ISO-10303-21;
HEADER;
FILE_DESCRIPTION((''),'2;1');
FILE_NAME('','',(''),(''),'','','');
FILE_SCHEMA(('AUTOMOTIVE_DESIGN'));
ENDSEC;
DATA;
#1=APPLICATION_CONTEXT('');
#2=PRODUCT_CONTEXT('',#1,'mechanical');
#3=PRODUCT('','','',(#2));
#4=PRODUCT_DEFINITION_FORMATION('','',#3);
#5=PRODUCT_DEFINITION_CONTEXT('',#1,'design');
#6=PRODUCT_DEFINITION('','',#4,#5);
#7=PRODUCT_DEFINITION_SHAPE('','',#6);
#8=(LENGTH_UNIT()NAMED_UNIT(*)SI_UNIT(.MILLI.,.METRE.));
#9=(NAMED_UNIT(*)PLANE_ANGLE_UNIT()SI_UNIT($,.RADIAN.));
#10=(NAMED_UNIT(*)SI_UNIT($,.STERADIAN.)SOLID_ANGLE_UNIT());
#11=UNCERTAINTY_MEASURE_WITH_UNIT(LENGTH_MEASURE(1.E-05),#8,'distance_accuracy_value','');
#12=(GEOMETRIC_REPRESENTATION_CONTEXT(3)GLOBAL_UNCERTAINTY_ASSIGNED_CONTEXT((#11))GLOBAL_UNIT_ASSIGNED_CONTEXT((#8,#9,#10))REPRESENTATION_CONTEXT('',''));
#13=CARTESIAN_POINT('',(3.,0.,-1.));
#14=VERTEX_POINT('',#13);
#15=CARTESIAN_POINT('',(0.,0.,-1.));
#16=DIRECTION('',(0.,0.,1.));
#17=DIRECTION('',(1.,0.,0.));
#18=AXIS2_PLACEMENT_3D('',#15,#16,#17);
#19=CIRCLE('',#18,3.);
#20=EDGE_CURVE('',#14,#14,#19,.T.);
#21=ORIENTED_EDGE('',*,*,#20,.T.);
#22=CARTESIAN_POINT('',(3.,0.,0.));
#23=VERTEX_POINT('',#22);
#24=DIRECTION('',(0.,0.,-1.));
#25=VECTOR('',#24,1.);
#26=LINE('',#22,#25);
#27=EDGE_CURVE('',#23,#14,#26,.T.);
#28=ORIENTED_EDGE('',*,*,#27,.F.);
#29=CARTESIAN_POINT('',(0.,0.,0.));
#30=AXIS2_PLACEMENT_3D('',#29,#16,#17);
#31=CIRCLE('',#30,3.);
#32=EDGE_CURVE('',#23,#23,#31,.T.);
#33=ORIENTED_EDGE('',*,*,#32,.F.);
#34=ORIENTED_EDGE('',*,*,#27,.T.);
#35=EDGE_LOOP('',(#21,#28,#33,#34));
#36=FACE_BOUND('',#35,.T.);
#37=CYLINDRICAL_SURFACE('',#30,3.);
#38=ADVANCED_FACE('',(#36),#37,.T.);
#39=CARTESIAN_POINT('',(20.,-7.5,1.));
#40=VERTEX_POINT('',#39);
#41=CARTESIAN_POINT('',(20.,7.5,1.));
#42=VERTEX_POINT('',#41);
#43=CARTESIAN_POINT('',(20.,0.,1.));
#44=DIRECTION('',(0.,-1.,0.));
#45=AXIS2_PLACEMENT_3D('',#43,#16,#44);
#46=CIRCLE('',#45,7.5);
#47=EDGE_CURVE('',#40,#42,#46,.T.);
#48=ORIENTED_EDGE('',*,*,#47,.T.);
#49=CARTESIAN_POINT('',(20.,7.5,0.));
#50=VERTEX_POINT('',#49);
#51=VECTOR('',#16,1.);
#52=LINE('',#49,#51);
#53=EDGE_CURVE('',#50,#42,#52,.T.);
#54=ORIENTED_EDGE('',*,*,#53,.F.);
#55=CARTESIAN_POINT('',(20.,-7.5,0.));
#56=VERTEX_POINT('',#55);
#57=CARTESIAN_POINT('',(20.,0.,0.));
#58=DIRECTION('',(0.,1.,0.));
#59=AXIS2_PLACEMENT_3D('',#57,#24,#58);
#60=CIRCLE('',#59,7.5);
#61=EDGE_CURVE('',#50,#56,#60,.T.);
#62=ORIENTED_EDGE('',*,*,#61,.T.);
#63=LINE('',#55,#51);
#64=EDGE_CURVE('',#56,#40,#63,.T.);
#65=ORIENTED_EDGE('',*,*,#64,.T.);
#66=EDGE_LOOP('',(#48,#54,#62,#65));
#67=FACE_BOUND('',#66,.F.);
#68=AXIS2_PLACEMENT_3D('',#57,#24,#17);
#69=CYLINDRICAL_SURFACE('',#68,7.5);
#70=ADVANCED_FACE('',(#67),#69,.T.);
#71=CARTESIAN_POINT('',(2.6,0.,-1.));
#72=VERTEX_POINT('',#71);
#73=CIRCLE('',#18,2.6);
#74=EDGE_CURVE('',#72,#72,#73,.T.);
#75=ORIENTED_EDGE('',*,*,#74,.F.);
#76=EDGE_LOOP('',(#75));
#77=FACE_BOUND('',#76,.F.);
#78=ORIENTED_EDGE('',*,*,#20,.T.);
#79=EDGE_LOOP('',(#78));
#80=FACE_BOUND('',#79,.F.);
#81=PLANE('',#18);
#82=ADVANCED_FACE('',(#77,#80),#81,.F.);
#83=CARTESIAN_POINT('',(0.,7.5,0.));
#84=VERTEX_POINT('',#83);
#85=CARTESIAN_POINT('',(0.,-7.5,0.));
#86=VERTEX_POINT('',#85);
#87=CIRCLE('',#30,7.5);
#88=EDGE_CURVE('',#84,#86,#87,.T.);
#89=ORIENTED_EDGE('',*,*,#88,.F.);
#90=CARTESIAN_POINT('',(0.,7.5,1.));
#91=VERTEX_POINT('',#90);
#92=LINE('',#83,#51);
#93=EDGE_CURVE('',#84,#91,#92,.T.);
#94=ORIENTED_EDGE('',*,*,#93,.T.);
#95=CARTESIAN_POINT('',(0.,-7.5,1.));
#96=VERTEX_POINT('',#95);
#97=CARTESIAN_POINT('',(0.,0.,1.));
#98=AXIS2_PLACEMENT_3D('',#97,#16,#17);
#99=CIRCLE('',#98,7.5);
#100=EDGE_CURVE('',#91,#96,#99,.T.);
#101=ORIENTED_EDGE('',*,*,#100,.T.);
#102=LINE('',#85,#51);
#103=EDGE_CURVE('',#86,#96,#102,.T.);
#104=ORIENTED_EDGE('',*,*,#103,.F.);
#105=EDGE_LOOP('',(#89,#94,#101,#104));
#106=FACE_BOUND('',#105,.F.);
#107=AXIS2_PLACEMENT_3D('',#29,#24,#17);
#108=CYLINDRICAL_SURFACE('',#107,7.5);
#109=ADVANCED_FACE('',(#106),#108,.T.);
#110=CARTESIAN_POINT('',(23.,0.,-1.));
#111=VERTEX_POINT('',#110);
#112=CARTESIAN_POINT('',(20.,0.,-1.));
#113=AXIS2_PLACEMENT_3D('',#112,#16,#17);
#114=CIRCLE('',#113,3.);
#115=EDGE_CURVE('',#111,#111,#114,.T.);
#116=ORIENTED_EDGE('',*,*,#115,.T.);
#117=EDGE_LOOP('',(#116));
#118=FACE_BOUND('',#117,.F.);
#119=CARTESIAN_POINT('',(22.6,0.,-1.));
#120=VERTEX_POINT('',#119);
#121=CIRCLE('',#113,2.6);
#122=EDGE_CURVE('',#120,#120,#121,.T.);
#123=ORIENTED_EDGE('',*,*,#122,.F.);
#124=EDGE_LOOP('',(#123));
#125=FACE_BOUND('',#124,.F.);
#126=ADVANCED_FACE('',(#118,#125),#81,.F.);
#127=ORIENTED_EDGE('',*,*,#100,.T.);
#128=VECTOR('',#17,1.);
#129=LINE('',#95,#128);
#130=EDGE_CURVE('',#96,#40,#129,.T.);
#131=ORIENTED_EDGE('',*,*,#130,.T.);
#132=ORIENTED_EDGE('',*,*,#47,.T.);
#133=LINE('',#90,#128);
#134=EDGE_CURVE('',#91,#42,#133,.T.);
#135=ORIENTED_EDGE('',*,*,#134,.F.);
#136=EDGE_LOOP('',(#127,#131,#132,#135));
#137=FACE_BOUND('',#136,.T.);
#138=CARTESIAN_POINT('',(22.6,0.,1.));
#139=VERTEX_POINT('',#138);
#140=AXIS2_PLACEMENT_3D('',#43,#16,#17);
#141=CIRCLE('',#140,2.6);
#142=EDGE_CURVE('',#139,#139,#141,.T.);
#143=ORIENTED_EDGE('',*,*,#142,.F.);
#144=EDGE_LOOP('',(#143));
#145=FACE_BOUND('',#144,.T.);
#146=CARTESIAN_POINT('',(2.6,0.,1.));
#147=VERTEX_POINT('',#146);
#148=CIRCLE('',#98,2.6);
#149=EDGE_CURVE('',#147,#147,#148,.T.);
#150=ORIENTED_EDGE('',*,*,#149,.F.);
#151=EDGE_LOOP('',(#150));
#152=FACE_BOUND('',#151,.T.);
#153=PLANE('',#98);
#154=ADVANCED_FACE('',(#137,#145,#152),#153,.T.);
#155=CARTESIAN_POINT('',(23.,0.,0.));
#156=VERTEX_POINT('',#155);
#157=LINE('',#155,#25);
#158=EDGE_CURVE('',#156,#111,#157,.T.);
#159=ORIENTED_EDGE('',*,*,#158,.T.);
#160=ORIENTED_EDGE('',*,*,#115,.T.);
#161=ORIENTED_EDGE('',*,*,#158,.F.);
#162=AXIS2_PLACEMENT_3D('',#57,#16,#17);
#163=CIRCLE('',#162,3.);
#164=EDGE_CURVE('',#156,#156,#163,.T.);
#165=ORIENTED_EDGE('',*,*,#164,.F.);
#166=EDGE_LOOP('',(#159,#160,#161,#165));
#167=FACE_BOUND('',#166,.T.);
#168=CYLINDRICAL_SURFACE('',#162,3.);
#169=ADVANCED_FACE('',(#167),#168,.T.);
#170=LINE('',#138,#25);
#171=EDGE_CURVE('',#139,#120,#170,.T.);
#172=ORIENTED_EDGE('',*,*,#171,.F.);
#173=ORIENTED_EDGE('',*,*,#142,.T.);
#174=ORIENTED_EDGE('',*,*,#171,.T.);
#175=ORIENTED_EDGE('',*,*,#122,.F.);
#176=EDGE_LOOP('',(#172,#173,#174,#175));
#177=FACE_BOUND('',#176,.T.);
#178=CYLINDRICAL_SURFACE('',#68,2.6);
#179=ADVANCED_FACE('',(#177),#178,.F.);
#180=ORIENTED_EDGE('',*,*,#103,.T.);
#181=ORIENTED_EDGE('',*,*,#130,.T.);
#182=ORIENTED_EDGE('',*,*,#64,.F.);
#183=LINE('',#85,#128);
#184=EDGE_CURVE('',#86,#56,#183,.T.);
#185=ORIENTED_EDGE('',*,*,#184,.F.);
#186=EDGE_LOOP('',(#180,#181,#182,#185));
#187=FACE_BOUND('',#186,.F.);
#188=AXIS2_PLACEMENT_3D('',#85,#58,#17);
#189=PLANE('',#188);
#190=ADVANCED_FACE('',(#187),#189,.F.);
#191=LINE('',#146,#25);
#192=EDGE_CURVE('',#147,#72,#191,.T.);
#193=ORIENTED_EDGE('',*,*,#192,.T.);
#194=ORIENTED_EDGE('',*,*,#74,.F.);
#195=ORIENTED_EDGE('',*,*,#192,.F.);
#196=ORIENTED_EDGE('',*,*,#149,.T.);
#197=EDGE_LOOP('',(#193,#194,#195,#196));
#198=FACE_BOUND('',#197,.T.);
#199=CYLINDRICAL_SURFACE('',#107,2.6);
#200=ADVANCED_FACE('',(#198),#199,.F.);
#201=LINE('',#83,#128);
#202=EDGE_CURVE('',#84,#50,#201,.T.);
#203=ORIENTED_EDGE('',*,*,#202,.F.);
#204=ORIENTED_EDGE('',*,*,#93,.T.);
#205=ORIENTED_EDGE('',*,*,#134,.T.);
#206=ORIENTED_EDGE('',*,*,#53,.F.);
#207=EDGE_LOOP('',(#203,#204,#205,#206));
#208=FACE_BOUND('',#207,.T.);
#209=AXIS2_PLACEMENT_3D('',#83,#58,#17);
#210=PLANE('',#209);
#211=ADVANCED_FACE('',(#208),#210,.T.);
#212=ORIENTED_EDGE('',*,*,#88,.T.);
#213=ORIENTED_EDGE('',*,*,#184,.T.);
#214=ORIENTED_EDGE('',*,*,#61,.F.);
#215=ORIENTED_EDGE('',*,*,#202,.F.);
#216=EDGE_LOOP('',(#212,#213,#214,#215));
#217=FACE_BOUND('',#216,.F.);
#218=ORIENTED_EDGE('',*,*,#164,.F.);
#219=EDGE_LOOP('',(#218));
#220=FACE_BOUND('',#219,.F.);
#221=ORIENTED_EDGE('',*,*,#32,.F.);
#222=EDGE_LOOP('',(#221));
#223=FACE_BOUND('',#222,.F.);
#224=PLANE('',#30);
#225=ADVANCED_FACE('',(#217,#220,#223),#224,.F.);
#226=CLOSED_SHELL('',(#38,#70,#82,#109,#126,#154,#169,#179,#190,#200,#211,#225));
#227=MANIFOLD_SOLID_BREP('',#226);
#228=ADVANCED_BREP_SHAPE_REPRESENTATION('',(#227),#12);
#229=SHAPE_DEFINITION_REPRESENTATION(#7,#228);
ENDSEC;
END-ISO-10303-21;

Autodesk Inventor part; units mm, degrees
ref_plane "YZ Plane" through (0, 0, 0) normal (1, 0, 0) x (0, 1, 0)
ref_plane "XZ Plane" through (0, 0, 0) normal (0, 1, 0) x (-1, 0, 0)
ref_plane "XY Plane" through (0, 0, 0) normal (0, 0, 1) x (1, 0, 0)
sketch "Sketch1" plane through (0, 0, 0) normal (0, 0, 1) x (1, 0, 0)
  circle A0 centre (0, 0) radius 7.5
  circle A1 centre (20, 0) radius 7.5
  line L0 (0, 7.5) -> (20, 7.5)
  line L1 (0, -7.5) -> (20, -7.5)
  circle A2 centre (0, 0) radius 3
  circle A3 centre (20, 0) radius 3
  circle A4 centre (20, 0) radius 2.6
  circle A5 centre (0, 0) radius 2.6
  dimension "d0" = 20
  dimension "d1" = 15
  dimension "d6" = 5.2
  dimension "d7" = 5.2
  dimension "d10" = 0.4
  dimension "d11" = 0.4
  dimension "d12" = 6
extrude "Extrusion1" add sketch "Sketch1" along normal blind 1 contours A0 | A0 L0 A1 L1 | A1 | A2 | A3
extrude "Extrusion2" add sketch "Sketch1" against normal blind 1 contours A2 | A3
equation "\"d6\" = d7"
equation "\"d11\" = d10"
properties part number "Belt Holder"
